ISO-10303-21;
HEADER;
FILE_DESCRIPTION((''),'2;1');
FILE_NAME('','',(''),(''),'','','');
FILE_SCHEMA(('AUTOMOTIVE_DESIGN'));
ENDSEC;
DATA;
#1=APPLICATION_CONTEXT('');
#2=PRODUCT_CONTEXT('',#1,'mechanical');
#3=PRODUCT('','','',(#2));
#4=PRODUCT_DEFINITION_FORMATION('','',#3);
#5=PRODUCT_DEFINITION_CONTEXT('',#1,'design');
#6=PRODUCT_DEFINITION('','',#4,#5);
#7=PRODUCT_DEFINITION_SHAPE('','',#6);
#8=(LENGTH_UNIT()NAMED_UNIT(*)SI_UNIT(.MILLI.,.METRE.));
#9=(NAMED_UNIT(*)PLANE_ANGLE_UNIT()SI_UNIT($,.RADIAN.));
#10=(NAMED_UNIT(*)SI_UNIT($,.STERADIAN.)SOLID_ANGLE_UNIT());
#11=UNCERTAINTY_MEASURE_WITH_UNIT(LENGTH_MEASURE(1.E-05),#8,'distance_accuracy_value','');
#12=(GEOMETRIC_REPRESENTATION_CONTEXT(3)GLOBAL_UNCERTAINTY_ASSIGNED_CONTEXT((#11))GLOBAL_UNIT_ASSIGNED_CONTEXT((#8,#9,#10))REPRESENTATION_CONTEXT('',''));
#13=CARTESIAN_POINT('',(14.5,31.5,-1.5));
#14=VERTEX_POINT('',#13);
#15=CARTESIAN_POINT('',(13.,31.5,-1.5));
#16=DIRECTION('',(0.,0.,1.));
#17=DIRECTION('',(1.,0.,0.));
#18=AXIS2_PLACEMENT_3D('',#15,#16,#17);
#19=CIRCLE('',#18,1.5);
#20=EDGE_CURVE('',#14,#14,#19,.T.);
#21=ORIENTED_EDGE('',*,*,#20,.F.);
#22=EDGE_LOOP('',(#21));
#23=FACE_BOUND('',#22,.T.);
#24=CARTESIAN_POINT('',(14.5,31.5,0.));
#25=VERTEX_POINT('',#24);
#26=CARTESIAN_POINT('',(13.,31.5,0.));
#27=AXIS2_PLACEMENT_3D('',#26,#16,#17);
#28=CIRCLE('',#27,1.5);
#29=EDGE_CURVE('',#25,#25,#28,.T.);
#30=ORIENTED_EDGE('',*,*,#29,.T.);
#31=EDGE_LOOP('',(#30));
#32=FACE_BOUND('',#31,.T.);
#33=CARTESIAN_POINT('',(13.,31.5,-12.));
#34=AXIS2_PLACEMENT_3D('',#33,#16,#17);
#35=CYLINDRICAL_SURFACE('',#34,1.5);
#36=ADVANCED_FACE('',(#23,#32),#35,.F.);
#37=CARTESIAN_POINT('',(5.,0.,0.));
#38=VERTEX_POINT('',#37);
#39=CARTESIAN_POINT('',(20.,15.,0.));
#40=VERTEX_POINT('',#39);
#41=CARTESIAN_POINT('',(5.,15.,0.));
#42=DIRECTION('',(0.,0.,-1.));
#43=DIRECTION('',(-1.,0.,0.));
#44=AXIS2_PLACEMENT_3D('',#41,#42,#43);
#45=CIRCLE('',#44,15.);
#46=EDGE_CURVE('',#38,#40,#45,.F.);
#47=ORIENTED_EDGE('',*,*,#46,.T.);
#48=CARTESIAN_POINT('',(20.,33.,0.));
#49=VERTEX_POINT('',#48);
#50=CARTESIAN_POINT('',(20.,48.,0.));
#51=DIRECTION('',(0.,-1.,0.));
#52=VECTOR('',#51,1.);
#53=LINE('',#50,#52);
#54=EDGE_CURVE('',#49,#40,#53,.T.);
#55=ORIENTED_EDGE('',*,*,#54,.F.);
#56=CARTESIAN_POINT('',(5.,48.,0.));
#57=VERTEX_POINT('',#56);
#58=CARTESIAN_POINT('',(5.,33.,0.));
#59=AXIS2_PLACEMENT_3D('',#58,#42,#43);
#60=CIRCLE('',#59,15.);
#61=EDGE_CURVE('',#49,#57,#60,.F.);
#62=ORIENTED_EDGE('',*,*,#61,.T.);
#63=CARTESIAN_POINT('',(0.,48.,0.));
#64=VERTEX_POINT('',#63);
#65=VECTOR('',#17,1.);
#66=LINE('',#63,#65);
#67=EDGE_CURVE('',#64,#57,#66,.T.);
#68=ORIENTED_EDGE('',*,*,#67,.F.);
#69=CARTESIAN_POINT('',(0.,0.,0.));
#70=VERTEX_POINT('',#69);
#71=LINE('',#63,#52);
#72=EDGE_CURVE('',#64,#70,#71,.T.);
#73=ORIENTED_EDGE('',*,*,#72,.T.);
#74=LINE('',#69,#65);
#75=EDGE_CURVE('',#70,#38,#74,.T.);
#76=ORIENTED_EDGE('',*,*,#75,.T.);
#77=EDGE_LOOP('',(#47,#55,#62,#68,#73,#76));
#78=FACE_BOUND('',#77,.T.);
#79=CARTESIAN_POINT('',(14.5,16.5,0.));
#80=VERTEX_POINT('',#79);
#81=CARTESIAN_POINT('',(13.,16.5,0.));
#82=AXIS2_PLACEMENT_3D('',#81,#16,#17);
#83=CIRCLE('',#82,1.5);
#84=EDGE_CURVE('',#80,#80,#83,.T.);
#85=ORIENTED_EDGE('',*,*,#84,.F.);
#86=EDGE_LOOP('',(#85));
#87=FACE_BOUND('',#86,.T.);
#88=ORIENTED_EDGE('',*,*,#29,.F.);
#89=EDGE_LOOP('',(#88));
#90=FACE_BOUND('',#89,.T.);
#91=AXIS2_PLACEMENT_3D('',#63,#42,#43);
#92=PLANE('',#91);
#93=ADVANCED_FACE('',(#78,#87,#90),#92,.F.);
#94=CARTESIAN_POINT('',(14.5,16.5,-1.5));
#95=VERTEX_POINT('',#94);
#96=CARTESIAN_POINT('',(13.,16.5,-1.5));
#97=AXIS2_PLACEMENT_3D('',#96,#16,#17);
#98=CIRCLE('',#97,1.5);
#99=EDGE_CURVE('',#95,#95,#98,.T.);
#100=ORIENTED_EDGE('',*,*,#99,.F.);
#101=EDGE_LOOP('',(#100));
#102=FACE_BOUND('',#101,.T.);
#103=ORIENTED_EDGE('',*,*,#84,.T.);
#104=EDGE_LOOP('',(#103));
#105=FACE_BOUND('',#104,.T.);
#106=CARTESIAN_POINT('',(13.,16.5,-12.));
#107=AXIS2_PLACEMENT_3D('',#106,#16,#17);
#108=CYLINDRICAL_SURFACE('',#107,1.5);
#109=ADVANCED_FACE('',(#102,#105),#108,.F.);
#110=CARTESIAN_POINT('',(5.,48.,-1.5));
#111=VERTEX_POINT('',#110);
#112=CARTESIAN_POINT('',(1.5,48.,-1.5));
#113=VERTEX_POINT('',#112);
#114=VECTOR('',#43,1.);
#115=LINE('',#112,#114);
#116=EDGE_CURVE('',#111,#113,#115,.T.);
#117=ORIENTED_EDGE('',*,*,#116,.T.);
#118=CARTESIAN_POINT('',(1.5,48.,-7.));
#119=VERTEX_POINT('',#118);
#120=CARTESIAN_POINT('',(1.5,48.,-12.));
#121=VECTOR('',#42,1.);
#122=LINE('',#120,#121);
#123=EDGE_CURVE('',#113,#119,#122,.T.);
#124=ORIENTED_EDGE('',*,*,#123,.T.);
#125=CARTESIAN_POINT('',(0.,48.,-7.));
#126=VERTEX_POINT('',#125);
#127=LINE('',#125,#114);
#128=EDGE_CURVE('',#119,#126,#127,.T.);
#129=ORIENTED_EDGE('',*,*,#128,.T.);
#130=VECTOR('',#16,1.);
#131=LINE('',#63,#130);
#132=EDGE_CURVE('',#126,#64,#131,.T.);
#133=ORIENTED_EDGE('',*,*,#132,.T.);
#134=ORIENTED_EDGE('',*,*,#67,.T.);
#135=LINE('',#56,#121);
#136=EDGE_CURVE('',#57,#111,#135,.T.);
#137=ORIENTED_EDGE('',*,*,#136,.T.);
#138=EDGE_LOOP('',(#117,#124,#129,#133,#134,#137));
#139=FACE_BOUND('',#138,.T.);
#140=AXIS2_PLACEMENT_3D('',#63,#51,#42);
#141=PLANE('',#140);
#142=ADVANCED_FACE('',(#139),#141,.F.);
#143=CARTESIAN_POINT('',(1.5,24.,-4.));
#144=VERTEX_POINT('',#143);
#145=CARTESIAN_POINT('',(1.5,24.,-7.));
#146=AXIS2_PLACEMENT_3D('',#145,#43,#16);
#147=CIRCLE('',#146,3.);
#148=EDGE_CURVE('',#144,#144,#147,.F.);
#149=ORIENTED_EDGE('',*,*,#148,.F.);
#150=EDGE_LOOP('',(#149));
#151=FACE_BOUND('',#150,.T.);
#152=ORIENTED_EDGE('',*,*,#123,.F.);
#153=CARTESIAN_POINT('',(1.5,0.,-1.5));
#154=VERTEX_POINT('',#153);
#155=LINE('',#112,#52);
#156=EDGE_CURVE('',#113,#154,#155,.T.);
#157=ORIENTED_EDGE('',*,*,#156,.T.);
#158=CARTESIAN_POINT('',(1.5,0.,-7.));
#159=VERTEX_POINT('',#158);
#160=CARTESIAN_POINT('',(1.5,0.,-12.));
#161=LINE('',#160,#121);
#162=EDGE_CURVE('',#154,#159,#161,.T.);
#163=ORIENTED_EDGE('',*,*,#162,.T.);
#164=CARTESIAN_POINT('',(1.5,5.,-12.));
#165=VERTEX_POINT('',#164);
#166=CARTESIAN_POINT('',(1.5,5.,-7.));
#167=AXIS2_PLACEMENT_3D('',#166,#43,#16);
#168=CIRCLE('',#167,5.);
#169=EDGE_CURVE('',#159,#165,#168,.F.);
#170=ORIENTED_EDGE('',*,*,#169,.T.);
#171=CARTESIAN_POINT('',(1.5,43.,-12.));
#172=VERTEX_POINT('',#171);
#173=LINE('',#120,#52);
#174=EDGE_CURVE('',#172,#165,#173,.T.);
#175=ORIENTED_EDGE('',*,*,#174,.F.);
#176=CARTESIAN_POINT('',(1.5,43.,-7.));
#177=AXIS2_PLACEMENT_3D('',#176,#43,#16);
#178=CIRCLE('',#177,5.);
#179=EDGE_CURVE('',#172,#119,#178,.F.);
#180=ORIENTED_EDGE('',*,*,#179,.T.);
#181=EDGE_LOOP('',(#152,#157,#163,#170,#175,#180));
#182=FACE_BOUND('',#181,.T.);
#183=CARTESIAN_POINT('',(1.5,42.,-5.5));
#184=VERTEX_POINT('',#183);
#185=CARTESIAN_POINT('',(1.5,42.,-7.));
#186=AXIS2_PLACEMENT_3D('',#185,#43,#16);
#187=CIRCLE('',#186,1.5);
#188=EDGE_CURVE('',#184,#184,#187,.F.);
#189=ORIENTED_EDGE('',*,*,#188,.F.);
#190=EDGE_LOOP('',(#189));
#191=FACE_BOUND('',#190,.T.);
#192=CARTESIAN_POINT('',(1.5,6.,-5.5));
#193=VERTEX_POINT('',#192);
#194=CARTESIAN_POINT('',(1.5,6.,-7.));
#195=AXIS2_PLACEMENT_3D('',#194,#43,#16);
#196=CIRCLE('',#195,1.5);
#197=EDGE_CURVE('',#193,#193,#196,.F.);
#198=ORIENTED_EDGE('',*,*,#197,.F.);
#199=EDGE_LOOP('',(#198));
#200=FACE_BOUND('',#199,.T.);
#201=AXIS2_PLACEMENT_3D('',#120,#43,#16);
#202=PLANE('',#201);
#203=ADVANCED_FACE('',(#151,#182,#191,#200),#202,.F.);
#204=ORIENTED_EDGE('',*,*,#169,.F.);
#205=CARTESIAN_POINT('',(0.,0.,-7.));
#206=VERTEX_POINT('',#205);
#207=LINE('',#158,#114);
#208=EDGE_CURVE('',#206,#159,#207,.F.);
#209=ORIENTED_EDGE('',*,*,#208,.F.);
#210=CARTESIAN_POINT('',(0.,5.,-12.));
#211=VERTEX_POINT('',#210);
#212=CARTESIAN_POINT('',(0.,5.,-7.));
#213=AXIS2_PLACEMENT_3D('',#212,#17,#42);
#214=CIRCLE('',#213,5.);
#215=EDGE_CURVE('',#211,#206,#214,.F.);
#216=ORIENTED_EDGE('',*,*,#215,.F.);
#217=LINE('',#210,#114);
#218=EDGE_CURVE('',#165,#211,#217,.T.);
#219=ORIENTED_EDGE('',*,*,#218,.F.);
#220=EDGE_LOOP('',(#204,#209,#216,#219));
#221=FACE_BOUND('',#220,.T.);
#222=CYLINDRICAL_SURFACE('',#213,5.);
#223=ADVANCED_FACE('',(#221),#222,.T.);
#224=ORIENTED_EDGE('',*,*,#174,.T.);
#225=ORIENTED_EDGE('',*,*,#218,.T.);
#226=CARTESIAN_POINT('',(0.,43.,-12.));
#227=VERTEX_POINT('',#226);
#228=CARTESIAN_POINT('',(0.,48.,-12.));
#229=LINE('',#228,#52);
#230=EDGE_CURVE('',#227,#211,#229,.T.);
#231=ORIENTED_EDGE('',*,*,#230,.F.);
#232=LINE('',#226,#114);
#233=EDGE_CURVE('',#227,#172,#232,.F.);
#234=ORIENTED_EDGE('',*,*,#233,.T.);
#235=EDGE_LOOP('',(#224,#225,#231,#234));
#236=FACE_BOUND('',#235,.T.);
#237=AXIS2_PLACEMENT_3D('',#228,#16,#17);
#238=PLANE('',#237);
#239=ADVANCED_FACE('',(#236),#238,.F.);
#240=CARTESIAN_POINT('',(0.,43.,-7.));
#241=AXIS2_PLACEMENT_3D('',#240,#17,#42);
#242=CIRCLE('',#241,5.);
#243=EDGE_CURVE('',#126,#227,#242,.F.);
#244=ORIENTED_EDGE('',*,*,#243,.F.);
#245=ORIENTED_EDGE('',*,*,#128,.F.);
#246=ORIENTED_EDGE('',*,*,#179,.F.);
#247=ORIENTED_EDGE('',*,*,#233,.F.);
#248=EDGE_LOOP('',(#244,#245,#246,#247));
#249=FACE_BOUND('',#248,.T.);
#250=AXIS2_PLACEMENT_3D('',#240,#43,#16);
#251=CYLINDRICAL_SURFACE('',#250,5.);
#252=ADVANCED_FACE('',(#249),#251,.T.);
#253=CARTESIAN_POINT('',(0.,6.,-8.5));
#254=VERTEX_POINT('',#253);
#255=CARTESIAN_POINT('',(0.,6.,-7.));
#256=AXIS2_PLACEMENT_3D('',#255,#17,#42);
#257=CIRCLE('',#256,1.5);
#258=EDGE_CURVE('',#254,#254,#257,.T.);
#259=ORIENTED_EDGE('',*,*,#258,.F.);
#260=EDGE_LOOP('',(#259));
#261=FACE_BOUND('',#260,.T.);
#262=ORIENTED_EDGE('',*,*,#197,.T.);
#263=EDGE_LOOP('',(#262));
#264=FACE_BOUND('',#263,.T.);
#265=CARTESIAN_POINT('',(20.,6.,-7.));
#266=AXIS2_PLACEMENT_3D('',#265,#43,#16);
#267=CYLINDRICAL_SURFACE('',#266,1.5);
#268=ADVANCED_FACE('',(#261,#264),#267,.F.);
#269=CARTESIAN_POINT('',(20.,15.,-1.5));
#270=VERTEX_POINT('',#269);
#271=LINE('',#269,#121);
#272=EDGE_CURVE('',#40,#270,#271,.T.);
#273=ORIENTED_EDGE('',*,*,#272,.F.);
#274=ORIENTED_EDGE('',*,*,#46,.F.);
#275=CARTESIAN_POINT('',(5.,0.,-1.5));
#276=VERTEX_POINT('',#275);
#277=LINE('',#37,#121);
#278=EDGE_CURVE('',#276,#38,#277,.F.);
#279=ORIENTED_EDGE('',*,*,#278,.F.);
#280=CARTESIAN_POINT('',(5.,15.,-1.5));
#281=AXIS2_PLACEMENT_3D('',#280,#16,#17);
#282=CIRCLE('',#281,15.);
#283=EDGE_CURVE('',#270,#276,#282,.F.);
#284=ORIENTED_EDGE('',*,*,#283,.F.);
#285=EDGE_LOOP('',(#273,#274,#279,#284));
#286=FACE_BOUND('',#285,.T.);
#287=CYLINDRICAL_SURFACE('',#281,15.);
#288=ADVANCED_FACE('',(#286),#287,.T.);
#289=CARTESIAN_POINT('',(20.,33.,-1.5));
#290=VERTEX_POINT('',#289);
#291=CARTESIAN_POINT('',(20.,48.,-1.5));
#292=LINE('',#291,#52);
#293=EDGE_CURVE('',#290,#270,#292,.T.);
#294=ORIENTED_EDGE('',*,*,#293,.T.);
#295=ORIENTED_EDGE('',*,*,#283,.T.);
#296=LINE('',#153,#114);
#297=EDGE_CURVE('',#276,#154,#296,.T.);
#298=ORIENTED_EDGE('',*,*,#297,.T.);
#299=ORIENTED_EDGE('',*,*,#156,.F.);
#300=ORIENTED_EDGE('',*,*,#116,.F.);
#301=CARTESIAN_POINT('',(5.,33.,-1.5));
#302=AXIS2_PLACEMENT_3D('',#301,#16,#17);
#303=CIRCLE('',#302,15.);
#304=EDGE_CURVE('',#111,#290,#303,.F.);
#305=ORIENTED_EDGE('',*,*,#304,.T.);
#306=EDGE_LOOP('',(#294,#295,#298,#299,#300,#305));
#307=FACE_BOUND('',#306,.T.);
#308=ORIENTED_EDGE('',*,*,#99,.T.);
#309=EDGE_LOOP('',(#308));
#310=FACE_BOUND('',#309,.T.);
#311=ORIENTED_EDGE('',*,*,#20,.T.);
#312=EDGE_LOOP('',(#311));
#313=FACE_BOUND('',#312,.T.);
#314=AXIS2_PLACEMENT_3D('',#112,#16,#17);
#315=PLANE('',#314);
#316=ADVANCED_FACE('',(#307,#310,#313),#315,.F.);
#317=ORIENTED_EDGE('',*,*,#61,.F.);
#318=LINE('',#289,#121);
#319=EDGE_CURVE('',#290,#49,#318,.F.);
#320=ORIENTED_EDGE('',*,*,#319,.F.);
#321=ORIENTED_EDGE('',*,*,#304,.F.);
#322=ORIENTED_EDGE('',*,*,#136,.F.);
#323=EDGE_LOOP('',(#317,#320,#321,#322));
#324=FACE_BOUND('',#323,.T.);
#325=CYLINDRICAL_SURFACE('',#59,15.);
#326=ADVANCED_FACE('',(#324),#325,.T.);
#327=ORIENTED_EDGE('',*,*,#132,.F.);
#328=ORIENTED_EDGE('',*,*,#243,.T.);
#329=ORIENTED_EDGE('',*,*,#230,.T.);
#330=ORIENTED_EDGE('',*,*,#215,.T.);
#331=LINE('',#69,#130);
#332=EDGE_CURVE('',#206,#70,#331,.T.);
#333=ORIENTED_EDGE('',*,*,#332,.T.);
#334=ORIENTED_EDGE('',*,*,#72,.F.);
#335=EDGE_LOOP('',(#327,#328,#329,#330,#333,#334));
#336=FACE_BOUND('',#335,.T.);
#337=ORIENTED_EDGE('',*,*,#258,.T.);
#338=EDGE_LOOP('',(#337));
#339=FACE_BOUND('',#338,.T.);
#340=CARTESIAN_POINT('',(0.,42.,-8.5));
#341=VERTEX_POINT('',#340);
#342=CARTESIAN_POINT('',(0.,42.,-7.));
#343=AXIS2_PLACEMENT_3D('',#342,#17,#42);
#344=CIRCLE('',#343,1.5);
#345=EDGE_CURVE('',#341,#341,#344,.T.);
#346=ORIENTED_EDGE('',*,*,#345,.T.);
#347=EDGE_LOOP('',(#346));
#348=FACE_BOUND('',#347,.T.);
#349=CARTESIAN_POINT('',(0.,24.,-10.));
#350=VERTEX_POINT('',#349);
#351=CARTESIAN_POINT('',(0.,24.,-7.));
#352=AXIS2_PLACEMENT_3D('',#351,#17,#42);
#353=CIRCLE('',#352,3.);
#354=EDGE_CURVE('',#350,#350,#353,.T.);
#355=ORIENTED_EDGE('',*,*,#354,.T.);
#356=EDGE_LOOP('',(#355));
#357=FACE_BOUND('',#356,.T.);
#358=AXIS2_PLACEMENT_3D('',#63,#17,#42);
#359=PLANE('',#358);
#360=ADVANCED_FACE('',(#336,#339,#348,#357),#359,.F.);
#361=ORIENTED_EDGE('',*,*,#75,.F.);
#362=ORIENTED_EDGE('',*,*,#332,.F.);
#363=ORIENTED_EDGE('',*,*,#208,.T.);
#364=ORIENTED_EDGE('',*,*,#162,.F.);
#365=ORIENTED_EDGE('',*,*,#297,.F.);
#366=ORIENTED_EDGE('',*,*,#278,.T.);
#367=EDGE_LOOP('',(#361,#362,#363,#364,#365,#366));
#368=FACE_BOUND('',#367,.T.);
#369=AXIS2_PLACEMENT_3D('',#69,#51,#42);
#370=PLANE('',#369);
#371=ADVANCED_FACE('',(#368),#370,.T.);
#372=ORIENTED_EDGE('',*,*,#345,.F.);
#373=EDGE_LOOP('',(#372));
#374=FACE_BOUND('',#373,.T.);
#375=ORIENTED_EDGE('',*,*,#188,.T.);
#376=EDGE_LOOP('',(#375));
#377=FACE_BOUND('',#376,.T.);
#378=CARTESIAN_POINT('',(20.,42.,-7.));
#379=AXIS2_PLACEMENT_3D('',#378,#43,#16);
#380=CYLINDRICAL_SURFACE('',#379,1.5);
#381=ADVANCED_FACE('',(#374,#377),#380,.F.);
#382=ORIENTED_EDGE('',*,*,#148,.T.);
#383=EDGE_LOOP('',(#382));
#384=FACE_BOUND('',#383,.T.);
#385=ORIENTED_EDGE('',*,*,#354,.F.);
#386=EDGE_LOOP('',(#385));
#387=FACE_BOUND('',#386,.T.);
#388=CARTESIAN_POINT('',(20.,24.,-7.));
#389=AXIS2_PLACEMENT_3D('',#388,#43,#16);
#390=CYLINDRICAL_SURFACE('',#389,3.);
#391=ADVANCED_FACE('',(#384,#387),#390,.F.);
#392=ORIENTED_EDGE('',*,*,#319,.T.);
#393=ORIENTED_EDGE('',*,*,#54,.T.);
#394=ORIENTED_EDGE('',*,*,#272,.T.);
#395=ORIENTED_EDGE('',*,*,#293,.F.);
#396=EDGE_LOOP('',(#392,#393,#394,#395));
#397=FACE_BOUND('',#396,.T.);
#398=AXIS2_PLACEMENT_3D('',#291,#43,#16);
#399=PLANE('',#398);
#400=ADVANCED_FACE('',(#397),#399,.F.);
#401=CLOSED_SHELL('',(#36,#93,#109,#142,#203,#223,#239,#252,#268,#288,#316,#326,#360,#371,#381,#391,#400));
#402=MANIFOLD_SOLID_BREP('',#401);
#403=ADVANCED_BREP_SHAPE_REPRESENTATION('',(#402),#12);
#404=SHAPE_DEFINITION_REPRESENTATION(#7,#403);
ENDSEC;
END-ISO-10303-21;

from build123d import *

# Parameters (mm, degrees)
BOSS_EXTRUDE1_DEPTH = 48
SKETCH2_R           = 1.5
CUT_EXTRUDE1_DEPTH  = 13
SKETCH3_R           = 1.5
SKETCH3_R_2         = 3
CUT_EXTRUDE3_DEPTH  = 21
FILLET1_R           = 5
FILLET2_R           = 15


with BuildPart() as part:
    # Sketch1 → Boss-Extrude1 (new body)
    with BuildSketch(Plane(origin=(0, 0, 0), x_dir=(1, 0, 0), z_dir=(0, 1, 0))):
        Polygon((0, 0), (0, 12), (1.5, 12), (1.5, 1.5), (20, 1.5), (20, 0), align=None)
    extrude(amount=BOSS_EXTRUDE1_DEPTH)

    # Sketch2 → Cut-Extrude1 (cut, through all)
    with BuildSketch(Plane.XY):
        with Locations((13, 31.5)):
            Circle(SKETCH2_R)
        with Locations((13, 16.5)):
            Circle(SKETCH2_R)
    extrude(amount=-CUT_EXTRUDE1_DEPTH, mode=Mode.SUBTRACT)

    # Sketch3 → Cut-Extrude3 (cut, through all)
    with BuildSketch(Plane(origin=(0, 0, 0), x_dir=(0, 0, -1), z_dir=(1, 0, 0))):
        with Locations((7, 42)):
            Circle(SKETCH3_R)
        with Locations((7, 24)):
            Circle(SKETCH3_R_2)
        with Locations((7, 6)):
            Circle(SKETCH3_R)
    extrude(amount=CUT_EXTRUDE3_DEPTH, mode=Mode.SUBTRACT)

    # Fillet1
    fillet1_edges = [part.edges().sort_by_distance(p)[0] for p in [
        (0.75, 48, -12),
        (0.75, 0, -12),
    ]]
    fillet(fillet1_edges, radius=FILLET1_R)

    # Fillet2
    fillet2_edges = [part.edges().sort_by_distance(p)[0] for p in [
        (20, 48, -0.75),
        (20, 0, -0.75),
    ]]
    fillet(fillet2_edges, radius=FILLET2_R)


solid = part.part
